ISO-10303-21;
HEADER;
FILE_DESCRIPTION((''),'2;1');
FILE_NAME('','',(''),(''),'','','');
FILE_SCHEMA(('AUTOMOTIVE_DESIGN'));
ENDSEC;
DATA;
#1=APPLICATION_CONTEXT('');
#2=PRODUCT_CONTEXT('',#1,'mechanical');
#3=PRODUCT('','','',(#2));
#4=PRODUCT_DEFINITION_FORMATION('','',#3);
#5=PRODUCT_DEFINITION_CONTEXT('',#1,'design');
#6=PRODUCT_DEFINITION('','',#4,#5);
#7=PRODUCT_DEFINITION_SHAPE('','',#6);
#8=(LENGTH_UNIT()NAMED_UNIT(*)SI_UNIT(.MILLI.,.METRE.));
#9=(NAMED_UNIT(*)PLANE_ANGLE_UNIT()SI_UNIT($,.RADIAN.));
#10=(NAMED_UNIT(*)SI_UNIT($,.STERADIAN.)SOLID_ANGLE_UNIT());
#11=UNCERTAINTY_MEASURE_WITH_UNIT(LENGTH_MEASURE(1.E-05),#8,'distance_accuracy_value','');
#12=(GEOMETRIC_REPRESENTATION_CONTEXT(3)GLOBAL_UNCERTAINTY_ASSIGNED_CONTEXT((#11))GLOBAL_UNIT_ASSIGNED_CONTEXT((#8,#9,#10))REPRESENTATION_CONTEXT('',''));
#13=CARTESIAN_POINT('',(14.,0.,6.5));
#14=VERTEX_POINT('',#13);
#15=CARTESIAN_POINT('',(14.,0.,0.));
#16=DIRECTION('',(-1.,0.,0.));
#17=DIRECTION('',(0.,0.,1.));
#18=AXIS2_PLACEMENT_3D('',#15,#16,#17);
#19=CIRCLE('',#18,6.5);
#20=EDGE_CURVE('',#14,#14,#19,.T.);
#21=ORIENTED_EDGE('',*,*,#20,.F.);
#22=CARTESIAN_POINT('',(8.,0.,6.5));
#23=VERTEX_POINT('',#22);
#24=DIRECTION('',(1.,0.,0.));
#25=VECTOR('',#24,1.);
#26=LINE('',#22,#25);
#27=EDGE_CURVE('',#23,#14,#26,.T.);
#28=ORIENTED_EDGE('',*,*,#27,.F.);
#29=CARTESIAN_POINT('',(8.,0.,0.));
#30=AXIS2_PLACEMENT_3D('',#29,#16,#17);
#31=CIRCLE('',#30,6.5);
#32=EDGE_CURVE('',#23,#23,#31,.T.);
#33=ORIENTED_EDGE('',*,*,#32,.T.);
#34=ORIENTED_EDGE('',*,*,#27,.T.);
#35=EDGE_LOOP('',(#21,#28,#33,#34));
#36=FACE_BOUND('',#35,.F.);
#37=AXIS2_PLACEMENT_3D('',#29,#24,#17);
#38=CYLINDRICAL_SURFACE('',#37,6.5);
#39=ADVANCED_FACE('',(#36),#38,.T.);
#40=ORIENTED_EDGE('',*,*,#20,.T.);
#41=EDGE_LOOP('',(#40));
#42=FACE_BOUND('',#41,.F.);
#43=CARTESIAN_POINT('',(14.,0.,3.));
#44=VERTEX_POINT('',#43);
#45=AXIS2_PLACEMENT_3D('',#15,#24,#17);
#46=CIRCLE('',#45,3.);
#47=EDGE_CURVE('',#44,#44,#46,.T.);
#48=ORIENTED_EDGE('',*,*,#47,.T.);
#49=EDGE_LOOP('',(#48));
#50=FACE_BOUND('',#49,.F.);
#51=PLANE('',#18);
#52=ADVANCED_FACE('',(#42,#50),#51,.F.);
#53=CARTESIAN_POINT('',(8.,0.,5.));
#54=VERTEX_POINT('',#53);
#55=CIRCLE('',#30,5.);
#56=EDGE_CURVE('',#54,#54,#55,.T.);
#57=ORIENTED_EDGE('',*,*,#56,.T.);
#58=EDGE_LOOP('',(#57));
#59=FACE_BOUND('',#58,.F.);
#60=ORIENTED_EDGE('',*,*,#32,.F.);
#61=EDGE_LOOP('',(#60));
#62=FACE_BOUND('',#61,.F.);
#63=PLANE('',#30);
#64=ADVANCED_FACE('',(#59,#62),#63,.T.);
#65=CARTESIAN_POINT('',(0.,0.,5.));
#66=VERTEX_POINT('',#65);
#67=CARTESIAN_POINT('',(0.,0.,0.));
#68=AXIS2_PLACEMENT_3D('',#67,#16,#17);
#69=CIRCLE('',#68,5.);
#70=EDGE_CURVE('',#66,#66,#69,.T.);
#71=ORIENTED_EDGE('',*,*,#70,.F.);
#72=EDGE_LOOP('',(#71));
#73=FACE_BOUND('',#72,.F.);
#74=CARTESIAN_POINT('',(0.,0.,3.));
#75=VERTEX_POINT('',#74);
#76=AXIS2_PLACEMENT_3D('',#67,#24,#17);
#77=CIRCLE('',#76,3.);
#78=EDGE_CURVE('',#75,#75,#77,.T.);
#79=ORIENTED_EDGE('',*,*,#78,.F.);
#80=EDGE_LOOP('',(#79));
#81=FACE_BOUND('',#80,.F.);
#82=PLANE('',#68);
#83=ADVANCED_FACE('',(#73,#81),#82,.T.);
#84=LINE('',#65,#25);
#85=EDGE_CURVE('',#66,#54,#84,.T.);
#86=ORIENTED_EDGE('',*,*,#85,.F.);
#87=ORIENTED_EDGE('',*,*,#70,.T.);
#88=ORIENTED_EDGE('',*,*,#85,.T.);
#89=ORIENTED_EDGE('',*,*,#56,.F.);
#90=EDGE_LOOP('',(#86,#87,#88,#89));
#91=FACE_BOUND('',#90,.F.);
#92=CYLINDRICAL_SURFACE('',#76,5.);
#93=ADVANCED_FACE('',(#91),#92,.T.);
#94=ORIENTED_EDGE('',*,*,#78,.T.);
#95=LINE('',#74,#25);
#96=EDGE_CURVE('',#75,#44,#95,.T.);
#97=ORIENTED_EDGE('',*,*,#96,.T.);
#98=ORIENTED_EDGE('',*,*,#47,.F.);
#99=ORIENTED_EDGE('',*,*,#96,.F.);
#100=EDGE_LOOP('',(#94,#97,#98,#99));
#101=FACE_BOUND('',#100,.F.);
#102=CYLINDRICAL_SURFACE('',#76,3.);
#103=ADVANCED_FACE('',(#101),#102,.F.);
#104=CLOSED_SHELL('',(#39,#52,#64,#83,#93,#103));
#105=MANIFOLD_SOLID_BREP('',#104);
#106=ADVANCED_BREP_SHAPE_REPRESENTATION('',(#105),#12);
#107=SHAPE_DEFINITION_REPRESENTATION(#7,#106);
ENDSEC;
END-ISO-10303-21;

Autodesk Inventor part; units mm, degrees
ref_plane "YZ Plane" through (0, 0, 0) normal (1, 0, 0) x (0, 1, 0)
ref_plane "XZ Plane" through (0, 0, 0) normal (0, 1, 0) x (-1, 0, 0)
ref_plane "XY Plane" through (0, 0, 0) normal (0, 0, 1) x (1, 0, 0)
sketch "Skizze1" plane through (0, 0, 0) normal (0, 1, 0) x (-1, 0, 0)
  line L0 (0, 0) -> (0, 5)
  line L1 (0, 5) -> (-8, 5)
  line L2 (-8, 5) -> (-8, 6.5)
  line L3 (-8, 6.5) -> (-14, 6.5)
  line L4 (-14, 6.5) -> (-14, 0)
  line L5 (-14, 0) -> (0, 0)
  dimension "d0" = 6
  dimension "d1" = 8
  dimension "d2" = 10
  dimension "d3" = 13
revolve "Umdrehung1" add sketch "Skizze1" angle 360 about axis through (14, 0, 0) along (-1, 0, 0)
sketch "Skizze2" plane through (0, 0, 0) normal (-1, 0, 0) x (0, 0, 1)
  circle A0 centre (0, 0) radius 5 projected
  point P0 (0, 0)
hole "Bohrung1" at (0, 0, 0) direction (1, 0, 0) diameter 6 depth 14
properties part number "10167ipt" material "Aluminum 6061-AHC"
